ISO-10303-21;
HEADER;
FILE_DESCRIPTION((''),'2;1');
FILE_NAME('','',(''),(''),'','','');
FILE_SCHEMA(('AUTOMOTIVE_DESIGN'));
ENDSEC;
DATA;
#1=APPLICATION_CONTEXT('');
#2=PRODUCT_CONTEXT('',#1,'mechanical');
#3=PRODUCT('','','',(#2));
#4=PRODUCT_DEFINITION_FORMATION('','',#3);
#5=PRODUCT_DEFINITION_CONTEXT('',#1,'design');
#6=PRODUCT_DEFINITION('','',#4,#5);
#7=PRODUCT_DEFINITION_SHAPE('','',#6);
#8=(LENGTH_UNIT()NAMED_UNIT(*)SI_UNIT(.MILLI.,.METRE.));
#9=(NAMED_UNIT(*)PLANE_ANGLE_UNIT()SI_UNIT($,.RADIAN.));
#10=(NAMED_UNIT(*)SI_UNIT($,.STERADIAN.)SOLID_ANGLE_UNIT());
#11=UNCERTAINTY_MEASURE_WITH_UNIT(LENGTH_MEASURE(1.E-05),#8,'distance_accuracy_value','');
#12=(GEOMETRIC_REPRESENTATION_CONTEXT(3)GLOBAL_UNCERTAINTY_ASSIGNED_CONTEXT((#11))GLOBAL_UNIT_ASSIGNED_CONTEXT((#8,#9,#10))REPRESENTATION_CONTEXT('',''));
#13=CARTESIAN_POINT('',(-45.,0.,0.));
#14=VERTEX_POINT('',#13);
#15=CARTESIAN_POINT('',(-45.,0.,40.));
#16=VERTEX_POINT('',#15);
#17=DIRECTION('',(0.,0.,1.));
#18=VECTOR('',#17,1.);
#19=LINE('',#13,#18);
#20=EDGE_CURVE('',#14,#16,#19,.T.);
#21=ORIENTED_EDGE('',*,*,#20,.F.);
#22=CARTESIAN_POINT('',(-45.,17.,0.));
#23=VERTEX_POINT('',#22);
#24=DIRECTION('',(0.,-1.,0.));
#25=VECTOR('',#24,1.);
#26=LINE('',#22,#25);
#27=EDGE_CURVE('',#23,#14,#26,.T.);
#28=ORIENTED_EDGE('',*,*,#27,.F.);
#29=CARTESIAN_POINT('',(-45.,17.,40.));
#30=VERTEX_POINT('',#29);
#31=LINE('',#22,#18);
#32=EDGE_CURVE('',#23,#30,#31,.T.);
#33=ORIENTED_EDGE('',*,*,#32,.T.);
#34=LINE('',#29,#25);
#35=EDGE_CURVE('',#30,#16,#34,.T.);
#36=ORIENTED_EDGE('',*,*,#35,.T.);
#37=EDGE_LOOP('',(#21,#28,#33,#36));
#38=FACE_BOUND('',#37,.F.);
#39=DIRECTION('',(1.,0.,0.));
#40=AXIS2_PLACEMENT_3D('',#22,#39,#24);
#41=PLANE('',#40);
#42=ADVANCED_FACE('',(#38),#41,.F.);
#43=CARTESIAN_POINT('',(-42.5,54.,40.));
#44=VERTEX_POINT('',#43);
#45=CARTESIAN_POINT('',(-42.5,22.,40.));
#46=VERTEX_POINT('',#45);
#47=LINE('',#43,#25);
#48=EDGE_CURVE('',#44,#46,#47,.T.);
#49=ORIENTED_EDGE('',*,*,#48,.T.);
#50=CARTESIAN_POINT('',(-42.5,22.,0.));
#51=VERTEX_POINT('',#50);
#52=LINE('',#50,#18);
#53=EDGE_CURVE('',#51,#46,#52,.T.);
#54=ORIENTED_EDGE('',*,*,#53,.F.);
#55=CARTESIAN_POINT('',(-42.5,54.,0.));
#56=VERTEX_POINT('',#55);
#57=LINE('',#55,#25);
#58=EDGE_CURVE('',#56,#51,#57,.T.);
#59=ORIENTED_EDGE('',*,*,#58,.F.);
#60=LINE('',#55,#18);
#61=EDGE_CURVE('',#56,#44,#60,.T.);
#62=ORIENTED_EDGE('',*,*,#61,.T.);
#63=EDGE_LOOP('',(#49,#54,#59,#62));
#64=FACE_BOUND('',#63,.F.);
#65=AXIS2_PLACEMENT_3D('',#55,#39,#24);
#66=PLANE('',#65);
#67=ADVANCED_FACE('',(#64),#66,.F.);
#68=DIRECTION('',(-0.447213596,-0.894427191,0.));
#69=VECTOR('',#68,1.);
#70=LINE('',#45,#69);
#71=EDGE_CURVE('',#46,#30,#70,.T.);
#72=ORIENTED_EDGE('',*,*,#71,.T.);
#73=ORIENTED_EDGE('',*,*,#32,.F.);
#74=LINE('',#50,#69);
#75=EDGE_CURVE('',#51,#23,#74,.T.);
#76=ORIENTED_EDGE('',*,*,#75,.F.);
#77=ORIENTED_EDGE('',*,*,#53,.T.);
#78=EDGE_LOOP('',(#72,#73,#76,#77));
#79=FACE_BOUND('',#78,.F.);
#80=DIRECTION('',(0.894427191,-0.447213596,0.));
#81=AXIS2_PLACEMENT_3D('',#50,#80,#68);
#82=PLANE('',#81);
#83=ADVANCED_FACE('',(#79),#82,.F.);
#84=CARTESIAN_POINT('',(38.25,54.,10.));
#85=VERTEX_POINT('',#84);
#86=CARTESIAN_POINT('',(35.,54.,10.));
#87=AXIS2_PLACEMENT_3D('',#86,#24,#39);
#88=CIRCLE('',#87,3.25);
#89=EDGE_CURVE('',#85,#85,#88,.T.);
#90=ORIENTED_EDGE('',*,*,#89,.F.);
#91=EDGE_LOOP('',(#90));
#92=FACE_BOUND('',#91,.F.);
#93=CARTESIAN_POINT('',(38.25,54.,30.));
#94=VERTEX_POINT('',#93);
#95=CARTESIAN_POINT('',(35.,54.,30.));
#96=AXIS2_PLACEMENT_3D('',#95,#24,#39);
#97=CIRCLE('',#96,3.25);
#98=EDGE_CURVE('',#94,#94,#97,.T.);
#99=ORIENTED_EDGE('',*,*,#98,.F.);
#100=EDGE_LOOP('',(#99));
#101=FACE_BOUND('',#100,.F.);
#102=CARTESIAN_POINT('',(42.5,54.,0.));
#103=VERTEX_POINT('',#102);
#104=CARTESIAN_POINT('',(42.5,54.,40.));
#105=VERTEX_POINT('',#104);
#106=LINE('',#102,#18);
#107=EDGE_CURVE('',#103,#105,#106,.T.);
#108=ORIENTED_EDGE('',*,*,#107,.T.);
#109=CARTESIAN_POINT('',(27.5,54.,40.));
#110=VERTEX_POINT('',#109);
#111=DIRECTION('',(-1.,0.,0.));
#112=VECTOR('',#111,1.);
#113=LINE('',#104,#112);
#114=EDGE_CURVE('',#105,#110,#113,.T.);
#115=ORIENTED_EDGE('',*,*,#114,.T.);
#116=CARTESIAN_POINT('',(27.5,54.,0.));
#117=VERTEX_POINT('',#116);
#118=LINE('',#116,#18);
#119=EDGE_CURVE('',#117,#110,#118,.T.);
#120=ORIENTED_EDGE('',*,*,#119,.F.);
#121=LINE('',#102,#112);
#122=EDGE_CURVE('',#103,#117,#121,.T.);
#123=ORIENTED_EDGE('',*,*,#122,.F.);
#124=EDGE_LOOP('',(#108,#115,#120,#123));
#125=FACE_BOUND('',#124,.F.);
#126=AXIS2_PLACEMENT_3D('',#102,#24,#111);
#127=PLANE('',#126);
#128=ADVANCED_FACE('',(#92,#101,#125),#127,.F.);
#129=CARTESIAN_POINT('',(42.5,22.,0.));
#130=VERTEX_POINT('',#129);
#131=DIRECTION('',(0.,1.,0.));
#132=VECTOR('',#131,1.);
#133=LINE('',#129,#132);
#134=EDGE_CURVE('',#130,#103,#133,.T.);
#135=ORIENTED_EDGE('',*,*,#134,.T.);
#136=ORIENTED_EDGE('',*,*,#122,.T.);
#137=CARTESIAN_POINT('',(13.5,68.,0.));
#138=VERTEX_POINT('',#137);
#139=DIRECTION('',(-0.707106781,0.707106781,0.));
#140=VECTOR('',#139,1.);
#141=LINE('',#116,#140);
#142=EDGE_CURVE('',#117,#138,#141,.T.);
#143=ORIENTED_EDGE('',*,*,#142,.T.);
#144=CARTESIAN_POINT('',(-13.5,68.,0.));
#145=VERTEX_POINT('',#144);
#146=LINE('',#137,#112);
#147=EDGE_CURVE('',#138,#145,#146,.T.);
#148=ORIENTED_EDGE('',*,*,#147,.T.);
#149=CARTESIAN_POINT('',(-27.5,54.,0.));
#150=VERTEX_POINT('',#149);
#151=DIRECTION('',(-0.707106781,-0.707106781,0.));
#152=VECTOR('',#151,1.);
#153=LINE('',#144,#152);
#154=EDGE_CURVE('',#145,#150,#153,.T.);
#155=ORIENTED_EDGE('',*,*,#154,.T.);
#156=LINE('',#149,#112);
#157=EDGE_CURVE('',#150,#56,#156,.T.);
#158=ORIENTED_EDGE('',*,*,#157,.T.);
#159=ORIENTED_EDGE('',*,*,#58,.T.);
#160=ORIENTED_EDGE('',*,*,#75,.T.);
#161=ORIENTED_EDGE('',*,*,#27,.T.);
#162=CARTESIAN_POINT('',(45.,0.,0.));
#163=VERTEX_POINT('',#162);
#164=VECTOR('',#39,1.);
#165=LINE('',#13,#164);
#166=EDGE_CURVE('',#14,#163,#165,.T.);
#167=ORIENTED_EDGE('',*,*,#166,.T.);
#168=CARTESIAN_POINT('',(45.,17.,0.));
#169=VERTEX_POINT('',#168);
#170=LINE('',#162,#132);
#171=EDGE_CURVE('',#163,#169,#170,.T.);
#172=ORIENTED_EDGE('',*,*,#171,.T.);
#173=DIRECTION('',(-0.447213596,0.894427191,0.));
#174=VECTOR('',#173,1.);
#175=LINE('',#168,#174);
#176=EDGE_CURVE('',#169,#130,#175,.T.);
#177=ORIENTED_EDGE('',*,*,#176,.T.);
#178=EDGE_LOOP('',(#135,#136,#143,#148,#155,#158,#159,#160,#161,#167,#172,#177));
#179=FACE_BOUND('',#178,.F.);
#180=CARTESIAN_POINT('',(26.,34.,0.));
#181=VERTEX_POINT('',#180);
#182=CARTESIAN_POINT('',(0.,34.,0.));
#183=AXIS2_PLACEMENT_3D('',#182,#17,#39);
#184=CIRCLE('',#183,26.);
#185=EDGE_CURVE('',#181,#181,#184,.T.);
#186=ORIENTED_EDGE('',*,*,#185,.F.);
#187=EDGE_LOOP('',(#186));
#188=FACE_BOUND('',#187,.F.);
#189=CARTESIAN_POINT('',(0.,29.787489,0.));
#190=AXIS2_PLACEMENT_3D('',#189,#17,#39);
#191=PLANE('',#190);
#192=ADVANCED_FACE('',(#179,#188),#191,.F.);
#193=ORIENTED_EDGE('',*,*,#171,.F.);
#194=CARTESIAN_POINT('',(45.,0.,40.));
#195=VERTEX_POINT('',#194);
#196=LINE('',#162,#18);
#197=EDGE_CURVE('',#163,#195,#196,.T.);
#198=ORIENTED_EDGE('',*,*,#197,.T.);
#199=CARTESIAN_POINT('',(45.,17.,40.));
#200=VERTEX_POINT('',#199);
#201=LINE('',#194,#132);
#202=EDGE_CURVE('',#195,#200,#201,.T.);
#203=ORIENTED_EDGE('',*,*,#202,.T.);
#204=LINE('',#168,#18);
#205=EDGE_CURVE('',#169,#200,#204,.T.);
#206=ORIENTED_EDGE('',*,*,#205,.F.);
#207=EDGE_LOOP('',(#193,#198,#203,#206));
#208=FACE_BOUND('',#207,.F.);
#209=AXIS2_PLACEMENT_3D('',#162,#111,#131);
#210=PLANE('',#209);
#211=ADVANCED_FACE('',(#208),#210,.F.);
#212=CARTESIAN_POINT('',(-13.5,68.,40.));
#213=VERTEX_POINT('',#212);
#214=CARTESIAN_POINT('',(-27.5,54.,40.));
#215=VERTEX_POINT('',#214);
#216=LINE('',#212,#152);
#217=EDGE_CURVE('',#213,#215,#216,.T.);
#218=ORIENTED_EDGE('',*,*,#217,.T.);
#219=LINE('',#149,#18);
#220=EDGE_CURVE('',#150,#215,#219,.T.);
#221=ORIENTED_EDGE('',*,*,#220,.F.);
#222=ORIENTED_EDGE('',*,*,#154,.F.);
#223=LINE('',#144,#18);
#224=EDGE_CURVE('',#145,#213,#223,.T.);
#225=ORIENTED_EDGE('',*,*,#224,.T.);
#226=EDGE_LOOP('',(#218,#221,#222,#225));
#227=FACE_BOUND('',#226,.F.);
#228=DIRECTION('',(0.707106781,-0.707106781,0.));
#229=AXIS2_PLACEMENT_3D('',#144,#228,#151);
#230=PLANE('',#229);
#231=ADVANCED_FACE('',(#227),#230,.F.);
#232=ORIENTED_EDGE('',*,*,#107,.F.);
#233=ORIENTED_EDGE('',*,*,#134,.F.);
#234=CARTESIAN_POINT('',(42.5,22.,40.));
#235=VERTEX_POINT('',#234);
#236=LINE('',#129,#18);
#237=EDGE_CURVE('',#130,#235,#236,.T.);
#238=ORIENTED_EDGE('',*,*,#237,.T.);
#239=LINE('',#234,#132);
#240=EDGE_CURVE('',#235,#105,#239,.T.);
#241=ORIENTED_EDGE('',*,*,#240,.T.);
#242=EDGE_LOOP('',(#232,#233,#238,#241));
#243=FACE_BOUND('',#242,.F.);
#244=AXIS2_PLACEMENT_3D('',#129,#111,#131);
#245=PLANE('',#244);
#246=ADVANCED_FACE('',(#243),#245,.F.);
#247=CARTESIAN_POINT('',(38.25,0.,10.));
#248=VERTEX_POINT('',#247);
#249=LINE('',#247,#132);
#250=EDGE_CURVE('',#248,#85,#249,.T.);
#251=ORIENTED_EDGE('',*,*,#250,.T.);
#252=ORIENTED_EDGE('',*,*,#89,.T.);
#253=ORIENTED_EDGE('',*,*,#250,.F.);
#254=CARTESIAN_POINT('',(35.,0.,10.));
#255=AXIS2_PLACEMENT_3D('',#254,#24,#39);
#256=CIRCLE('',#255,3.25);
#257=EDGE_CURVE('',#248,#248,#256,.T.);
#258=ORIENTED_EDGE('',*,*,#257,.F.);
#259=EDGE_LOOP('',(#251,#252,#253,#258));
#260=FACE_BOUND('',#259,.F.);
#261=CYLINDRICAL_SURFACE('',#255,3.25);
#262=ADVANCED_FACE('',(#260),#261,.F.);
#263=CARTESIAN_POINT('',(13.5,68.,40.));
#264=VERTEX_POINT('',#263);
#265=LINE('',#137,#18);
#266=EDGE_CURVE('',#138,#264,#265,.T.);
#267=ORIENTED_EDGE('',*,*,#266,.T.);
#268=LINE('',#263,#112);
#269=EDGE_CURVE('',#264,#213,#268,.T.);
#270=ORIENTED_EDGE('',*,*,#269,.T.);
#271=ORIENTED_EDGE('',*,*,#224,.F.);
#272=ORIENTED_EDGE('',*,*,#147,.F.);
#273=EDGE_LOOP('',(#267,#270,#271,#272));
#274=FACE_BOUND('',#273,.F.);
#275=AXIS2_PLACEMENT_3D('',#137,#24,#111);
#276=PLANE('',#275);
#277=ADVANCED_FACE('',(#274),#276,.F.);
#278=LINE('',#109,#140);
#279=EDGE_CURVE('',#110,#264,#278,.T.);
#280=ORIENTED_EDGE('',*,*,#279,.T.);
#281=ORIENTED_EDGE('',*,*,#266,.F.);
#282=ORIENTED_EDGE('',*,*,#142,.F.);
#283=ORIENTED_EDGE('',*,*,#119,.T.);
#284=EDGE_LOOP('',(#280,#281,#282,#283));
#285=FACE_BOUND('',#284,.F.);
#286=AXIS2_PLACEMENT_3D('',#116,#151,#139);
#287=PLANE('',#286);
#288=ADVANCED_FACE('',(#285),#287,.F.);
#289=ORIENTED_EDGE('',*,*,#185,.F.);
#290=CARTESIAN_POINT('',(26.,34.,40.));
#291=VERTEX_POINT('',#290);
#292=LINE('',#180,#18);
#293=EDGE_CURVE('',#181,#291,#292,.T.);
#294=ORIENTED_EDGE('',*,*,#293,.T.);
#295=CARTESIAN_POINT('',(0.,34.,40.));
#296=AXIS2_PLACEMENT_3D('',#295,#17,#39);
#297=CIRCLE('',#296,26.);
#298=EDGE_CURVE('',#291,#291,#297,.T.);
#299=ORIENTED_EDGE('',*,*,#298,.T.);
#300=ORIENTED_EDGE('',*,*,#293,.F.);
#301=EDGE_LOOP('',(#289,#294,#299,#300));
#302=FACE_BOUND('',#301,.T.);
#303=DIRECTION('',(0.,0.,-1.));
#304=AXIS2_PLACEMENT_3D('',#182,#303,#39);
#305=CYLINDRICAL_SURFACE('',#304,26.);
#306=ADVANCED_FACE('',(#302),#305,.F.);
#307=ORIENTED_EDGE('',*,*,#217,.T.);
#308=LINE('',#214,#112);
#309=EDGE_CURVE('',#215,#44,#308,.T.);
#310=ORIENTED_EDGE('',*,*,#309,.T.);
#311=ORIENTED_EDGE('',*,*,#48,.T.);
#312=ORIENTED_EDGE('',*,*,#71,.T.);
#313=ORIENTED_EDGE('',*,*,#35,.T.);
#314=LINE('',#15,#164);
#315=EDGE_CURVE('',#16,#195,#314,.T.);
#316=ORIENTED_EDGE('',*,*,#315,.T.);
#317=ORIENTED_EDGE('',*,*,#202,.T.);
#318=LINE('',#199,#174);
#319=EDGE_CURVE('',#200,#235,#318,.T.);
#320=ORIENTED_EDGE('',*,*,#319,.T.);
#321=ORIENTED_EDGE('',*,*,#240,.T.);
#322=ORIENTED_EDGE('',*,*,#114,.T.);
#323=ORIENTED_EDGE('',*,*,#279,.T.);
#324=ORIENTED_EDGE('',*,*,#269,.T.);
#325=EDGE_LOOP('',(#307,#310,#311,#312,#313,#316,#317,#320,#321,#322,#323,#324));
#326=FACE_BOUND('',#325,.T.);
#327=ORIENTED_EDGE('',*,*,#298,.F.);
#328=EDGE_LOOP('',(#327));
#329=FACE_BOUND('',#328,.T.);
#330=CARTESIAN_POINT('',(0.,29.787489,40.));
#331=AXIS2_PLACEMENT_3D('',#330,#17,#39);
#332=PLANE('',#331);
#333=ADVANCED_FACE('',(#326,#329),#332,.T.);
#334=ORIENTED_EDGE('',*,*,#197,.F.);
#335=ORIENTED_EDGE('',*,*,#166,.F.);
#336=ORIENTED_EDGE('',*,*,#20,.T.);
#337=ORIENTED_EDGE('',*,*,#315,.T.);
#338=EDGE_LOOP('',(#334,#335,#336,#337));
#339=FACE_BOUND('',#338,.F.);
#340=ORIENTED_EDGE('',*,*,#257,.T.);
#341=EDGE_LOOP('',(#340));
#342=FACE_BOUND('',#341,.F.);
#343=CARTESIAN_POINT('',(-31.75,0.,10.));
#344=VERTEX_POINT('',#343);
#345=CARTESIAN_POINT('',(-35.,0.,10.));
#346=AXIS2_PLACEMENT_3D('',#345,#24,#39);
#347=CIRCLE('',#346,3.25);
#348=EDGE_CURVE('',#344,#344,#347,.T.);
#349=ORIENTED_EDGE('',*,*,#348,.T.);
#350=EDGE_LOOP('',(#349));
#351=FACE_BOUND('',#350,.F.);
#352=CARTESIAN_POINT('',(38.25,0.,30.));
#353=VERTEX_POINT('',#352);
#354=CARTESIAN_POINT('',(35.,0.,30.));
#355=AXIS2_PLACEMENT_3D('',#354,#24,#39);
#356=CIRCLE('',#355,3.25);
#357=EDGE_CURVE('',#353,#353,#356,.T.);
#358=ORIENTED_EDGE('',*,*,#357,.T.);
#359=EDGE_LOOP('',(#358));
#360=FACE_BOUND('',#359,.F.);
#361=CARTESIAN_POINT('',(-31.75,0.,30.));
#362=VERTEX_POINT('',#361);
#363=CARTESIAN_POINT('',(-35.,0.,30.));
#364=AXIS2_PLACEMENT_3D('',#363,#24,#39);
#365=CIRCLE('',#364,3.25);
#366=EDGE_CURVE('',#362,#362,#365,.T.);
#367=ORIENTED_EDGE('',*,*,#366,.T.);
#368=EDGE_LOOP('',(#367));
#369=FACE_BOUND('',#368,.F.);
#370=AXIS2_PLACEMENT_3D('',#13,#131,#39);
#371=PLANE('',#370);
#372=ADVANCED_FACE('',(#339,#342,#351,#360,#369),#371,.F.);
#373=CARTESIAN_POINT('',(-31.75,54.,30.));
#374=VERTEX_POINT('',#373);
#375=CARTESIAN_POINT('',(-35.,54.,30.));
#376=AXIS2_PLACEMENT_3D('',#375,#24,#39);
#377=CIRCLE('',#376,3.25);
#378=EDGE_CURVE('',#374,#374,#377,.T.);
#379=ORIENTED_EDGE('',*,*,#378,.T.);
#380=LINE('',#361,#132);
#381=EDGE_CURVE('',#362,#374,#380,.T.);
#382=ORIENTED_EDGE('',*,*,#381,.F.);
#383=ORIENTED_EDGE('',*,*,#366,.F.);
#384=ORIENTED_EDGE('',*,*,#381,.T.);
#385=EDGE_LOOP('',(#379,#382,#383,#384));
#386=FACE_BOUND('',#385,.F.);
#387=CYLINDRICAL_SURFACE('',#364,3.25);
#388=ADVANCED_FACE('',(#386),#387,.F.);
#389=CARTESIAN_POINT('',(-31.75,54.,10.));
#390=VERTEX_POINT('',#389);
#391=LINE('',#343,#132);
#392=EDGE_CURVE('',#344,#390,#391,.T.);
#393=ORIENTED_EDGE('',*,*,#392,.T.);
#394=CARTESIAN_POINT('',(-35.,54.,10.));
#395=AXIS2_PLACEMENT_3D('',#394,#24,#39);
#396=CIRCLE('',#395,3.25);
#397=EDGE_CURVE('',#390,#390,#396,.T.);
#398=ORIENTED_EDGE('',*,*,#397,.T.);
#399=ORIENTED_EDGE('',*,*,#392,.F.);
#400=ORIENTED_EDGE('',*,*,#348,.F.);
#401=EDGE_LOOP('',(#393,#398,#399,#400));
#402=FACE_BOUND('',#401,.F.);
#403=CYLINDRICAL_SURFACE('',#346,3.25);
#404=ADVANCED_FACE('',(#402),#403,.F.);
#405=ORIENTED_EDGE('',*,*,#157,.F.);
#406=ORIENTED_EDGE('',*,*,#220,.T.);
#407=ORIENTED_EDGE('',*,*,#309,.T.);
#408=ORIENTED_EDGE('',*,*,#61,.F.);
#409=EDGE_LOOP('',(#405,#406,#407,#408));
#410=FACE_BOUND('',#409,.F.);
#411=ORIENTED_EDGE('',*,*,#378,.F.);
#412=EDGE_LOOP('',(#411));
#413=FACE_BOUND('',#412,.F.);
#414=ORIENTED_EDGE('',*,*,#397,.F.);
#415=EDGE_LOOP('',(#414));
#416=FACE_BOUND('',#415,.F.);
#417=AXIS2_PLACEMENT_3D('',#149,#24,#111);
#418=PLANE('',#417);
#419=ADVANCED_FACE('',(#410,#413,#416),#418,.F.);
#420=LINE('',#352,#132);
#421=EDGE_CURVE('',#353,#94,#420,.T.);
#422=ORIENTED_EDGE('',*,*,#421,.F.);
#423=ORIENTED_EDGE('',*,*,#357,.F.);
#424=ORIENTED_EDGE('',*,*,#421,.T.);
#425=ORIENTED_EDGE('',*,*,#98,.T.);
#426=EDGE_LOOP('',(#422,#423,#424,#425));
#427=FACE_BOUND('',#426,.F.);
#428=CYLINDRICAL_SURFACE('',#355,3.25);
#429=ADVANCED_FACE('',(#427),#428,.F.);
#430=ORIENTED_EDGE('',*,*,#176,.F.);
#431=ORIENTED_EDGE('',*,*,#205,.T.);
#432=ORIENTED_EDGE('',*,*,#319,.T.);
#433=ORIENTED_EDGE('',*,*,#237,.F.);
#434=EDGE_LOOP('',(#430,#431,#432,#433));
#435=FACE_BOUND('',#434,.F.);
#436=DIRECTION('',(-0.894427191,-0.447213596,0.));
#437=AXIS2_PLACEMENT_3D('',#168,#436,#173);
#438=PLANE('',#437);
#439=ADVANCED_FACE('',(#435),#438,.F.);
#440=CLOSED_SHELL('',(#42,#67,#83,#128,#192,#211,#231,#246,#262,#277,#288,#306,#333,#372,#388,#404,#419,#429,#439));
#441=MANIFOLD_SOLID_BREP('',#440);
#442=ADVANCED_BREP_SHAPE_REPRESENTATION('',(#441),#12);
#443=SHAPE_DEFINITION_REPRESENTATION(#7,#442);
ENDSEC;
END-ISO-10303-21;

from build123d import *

# Parameters (mm, degrees)
SKETCH_R     = 26
PAD_DEPTH    = 40
SKETCH001_R  = 3.25
POCKET_DEPTH = 68.001


with BuildPart() as part:
    # Sketch → Pad (new body)
    with BuildSketch(Plane.XY):
        Polygon((-45, 0), (45, 0), (45, 17), (42.5, 22), (42.5, 54), (27.5, 54), (13.5, 68), (-13.5, 68), (-27.5, 54), (-42.5, 54), (-42.5, 22), (-45, 17), align=None)
        with Locations((0, 34)):
            Circle(SKETCH_R, mode=Mode.SUBTRACT)
    extrude(amount=PAD_DEPTH)

    # Sketch001 (on Face1 of Pad) → Pocket (cut, through all)
    with BuildSketch(Plane.XZ):
        with Locations((-35, 30)):
            Circle(SKETCH001_R)
        with Locations((-35, 10)):
            Circle(SKETCH001_R)
        with Locations((35, 10)):
            Circle(SKETCH001_R)
        with Locations((35, 30)):
            Circle(SKETCH001_R)
    extrude(amount=-POCKET_DEPTH, mode=Mode.SUBTRACT)


solid = part.part
